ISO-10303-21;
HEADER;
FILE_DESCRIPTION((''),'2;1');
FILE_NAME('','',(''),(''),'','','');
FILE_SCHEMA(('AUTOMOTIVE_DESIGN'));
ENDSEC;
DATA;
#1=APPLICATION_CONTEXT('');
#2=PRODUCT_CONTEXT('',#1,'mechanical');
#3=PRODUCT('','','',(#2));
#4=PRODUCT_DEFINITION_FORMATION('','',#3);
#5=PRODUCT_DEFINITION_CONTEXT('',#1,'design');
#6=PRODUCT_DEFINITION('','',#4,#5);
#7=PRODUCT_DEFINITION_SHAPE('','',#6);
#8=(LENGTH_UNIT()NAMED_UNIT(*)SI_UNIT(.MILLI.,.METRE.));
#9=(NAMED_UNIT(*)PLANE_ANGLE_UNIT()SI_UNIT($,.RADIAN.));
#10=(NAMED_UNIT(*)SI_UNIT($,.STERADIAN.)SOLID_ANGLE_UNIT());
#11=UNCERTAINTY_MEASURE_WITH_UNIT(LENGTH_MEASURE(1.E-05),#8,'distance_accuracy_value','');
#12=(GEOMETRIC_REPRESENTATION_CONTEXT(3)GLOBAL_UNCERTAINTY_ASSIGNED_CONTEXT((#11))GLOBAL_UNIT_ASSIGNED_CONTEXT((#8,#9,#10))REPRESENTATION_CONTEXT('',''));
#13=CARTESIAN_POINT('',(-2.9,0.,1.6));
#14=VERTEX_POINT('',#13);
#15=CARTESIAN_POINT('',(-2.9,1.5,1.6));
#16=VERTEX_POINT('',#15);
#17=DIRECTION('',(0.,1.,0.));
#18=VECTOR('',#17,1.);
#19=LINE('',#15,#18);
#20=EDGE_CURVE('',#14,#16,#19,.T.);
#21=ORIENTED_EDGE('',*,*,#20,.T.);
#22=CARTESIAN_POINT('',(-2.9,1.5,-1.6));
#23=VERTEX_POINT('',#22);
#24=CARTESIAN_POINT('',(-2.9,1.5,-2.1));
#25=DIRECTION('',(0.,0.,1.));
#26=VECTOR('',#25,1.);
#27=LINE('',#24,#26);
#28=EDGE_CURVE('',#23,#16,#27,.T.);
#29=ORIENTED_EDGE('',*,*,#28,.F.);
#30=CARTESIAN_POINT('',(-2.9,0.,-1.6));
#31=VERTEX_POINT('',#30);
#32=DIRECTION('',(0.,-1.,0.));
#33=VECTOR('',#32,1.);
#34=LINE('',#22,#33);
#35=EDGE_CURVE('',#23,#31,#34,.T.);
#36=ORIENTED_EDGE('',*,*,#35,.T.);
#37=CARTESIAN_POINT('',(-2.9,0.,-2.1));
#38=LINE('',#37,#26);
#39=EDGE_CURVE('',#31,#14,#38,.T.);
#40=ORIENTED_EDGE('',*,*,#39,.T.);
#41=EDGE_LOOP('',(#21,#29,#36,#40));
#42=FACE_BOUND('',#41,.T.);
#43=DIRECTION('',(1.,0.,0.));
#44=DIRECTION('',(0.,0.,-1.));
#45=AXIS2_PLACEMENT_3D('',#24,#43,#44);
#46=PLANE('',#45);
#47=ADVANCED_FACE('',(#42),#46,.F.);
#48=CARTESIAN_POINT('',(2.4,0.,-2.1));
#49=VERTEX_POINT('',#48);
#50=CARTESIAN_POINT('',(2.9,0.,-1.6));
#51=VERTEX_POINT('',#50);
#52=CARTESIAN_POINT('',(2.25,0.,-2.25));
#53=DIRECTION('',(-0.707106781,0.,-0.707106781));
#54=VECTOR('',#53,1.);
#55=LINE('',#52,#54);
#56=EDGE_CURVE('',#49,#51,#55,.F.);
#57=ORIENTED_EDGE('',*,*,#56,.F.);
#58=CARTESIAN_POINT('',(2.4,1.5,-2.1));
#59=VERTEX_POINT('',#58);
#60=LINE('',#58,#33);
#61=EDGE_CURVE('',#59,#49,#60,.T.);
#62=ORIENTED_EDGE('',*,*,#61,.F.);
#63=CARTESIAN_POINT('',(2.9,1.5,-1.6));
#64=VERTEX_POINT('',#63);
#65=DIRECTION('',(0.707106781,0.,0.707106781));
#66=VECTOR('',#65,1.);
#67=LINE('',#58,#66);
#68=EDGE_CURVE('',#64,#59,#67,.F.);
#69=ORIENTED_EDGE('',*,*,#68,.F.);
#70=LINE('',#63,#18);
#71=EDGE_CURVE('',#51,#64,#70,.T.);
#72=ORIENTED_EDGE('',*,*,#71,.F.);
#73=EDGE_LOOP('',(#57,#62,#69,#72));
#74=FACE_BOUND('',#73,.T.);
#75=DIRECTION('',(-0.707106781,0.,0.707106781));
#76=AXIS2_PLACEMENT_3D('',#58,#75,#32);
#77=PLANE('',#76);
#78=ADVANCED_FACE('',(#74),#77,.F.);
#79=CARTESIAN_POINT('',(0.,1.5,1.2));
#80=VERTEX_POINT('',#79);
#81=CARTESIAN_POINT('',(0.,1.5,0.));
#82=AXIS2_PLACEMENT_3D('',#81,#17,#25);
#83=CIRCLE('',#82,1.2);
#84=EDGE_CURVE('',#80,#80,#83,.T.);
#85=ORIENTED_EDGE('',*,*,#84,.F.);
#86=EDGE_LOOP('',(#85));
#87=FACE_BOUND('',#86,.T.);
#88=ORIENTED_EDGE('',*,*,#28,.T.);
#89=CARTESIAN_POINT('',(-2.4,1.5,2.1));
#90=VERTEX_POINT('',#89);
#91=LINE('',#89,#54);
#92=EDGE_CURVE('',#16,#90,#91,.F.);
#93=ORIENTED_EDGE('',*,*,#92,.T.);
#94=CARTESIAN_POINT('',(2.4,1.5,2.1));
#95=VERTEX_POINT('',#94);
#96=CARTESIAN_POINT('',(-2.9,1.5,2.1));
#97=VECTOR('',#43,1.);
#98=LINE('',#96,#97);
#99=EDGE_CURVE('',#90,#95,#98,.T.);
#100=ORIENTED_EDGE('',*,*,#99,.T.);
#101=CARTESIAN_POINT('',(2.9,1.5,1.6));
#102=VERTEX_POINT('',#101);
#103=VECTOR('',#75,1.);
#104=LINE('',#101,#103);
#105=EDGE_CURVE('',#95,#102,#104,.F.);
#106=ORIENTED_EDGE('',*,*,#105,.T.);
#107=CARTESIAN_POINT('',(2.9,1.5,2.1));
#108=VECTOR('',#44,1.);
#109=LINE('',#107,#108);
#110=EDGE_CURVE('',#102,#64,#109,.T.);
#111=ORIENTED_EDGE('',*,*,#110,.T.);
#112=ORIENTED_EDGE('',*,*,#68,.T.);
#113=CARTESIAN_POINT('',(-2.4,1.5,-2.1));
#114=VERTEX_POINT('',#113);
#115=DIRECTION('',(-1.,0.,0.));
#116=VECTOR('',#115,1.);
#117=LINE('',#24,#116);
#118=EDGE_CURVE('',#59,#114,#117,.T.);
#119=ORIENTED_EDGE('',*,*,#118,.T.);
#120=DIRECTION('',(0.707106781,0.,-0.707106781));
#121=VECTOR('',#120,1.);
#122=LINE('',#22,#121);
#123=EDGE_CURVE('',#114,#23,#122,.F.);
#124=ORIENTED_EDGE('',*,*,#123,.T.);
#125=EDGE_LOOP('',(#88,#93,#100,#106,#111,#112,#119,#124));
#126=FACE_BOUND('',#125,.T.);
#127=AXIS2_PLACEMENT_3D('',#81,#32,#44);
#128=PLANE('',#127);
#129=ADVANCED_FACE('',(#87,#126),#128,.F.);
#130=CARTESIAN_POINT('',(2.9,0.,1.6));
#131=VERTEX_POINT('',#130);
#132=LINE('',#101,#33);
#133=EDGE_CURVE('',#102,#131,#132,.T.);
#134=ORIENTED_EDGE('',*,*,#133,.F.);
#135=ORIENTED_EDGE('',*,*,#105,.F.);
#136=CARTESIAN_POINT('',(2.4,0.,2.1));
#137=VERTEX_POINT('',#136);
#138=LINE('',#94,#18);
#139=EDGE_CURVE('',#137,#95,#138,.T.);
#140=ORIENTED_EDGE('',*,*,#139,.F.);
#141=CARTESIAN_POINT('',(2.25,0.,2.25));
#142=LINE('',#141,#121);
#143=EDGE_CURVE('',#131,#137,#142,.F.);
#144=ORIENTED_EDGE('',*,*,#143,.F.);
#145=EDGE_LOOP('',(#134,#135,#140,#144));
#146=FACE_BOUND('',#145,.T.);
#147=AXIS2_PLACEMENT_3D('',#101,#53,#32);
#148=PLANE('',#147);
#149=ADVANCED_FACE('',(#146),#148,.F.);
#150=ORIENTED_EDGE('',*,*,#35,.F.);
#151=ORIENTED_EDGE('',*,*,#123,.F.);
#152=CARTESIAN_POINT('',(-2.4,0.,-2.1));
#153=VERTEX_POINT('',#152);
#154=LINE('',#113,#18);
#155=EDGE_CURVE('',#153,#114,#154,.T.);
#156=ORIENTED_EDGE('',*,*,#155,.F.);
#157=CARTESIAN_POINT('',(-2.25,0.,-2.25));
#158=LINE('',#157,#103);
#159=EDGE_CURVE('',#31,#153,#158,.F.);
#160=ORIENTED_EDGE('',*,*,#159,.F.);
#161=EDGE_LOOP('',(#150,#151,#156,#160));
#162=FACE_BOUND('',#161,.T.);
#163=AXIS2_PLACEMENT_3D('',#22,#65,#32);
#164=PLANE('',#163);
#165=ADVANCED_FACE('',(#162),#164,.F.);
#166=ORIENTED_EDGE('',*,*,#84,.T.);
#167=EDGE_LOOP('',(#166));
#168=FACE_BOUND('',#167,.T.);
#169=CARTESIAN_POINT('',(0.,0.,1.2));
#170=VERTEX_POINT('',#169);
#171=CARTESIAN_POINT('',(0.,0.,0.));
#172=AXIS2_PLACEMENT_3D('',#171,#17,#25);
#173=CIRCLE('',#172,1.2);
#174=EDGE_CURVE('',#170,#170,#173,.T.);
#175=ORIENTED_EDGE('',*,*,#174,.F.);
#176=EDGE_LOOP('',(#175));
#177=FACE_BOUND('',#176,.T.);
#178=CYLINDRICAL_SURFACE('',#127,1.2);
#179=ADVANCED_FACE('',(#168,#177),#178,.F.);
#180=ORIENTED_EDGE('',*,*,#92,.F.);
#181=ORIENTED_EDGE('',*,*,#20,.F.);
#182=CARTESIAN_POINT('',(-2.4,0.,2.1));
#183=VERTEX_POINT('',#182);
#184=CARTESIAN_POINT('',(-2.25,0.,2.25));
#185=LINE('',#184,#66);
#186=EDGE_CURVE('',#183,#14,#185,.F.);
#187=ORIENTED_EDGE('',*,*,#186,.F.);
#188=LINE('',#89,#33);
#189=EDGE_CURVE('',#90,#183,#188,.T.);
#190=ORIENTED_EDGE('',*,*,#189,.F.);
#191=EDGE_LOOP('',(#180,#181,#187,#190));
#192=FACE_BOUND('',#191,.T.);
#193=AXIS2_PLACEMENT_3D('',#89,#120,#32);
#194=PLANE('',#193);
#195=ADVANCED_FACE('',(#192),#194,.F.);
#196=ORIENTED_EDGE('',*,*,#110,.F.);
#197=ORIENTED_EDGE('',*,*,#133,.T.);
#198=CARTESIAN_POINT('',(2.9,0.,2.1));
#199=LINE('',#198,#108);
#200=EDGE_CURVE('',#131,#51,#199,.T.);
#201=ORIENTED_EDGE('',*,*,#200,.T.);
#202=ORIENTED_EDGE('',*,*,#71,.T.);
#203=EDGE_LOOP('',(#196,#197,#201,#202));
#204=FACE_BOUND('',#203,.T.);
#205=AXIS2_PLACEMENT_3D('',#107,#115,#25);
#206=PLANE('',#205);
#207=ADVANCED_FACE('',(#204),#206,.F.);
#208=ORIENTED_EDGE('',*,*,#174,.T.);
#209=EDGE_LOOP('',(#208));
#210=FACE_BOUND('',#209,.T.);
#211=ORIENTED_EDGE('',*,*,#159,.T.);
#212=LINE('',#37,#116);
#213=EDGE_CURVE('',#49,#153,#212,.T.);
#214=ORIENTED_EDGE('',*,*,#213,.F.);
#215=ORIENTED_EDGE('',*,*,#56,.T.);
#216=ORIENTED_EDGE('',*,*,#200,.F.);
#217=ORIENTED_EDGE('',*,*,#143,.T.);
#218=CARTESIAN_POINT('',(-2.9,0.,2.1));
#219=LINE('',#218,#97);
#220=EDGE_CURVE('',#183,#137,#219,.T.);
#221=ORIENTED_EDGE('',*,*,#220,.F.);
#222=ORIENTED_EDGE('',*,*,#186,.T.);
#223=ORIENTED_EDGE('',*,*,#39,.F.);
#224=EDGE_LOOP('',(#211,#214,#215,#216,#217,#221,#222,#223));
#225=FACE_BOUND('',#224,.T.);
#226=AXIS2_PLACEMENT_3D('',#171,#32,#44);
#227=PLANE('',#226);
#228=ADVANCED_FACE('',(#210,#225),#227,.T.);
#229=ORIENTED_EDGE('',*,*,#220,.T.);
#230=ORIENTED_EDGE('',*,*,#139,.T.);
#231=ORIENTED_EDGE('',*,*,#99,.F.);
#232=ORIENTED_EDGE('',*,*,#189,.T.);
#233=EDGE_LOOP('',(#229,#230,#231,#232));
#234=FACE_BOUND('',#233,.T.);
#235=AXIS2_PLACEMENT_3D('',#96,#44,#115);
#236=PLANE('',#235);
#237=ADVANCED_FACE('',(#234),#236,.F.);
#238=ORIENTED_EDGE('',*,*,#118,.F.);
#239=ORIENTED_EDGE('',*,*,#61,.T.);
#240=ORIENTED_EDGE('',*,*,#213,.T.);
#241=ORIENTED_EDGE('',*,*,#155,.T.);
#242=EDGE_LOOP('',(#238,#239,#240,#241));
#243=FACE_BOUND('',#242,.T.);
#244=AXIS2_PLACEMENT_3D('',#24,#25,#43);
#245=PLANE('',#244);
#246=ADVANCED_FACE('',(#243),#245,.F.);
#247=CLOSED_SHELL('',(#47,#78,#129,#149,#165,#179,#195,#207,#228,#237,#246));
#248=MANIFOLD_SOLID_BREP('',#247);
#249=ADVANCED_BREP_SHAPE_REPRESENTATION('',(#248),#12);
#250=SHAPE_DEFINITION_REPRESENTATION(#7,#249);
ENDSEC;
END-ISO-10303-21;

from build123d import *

# Parameters (mm, degrees)
SKETCH1_W           = 5.8
SKETCH1_H           = 4.2
SKETCH1_R           = 1.2
BOSS_EXTRUDE1_DEPTH = 1.5
CHAMFER1_SIZE       = 0.5


with BuildPart() as part:
    # Sketch1 → Boss-Extrude1 (new body)
    with BuildSketch(Plane(origin=(0, 0, 0), x_dir=(1, 0, 0), z_dir=(0, 1, 0))):
        Rectangle(SKETCH1_W, SKETCH1_H)
        Circle(SKETCH1_R, mode=Mode.SUBTRACT)
    extrude(amount=BOSS_EXTRUDE1_DEPTH)

    # Chamfer1
    chamfer1_edges = [part.edges().sort_by_distance(p)[0] for p in [
        (2.9, 0.75, 2.1),
        (-2.9, 0.75, 2.1),
        (-2.9, 0.75, -2.1),
        (2.9, 0.75, -2.1),
    ]]
    chamfer(chamfer1_edges, length=CHAMFER1_SIZE)


solid = part.part
